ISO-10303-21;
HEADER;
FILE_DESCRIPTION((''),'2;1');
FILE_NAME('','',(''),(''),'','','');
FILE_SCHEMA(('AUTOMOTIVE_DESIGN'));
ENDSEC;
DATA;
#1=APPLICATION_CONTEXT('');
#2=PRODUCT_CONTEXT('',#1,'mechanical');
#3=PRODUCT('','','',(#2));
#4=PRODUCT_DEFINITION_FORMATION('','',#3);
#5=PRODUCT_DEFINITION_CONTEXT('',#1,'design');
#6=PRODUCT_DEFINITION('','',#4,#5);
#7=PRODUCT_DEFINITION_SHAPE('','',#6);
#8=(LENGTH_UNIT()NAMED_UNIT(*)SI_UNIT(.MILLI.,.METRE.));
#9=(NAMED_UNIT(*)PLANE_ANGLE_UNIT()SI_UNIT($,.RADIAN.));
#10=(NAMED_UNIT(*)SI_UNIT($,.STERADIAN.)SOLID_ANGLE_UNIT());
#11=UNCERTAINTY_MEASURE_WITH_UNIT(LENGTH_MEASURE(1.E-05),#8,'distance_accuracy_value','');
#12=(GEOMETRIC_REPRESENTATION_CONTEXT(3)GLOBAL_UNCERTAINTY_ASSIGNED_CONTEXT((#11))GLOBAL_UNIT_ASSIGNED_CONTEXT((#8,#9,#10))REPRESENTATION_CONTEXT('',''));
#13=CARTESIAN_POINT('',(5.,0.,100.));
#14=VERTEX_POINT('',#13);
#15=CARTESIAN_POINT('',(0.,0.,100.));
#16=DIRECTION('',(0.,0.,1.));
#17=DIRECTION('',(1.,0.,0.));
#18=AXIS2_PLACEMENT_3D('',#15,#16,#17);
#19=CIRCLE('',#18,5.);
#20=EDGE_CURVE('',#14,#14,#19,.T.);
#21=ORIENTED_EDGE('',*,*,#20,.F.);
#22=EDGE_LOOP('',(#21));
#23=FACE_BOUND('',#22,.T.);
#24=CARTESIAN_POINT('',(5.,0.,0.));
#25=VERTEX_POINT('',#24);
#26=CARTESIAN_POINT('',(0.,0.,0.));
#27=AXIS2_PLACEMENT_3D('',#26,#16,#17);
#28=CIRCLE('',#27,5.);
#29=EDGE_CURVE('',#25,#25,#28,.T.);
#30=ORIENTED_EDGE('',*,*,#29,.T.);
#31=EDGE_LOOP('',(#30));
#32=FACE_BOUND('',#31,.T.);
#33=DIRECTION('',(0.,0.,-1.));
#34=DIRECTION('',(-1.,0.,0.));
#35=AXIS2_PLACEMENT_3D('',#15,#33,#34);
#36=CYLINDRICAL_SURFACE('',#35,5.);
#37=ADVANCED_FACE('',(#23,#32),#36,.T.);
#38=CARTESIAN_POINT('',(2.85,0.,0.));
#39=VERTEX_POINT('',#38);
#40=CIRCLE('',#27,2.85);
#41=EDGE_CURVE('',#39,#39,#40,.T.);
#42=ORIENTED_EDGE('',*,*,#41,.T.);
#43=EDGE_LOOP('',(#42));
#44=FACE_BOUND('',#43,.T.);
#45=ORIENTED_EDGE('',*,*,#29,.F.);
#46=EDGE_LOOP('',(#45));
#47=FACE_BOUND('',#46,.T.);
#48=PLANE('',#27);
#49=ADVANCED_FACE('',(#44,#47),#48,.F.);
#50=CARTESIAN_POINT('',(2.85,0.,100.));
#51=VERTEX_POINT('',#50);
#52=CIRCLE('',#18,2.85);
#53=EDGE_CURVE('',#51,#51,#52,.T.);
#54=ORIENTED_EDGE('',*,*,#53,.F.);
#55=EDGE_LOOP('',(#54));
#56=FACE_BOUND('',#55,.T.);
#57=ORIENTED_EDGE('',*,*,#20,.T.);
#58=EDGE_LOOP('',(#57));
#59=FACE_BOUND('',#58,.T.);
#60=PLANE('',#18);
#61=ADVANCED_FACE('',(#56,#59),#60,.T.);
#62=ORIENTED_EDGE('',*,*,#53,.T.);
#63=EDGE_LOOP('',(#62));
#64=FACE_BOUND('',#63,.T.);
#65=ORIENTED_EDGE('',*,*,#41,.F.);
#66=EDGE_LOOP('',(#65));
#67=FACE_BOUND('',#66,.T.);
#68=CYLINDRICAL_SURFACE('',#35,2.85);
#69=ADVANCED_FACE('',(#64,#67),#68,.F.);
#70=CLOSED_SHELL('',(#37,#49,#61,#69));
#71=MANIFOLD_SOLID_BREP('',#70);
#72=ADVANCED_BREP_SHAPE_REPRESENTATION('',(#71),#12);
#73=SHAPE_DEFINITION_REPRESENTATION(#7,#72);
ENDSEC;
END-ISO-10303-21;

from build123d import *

# Parameters (mm, degrees)
ESBO_O1_R                = 5
ESBO_O1_R_2              = 2.85
RESSALTO_EXTRUS_O1_DEPTH = 100


with BuildPart() as part:
    # Esboço1 → Ressalto-extrusão1 (new body)
    with BuildSketch(Plane.XY):
        Circle(ESBO_O1_R)
        Circle(ESBO_O1_R_2, mode=Mode.SUBTRACT)
    extrude(amount=RESSALTO_EXTRUS_O1_DEPTH)


solid = part.part
